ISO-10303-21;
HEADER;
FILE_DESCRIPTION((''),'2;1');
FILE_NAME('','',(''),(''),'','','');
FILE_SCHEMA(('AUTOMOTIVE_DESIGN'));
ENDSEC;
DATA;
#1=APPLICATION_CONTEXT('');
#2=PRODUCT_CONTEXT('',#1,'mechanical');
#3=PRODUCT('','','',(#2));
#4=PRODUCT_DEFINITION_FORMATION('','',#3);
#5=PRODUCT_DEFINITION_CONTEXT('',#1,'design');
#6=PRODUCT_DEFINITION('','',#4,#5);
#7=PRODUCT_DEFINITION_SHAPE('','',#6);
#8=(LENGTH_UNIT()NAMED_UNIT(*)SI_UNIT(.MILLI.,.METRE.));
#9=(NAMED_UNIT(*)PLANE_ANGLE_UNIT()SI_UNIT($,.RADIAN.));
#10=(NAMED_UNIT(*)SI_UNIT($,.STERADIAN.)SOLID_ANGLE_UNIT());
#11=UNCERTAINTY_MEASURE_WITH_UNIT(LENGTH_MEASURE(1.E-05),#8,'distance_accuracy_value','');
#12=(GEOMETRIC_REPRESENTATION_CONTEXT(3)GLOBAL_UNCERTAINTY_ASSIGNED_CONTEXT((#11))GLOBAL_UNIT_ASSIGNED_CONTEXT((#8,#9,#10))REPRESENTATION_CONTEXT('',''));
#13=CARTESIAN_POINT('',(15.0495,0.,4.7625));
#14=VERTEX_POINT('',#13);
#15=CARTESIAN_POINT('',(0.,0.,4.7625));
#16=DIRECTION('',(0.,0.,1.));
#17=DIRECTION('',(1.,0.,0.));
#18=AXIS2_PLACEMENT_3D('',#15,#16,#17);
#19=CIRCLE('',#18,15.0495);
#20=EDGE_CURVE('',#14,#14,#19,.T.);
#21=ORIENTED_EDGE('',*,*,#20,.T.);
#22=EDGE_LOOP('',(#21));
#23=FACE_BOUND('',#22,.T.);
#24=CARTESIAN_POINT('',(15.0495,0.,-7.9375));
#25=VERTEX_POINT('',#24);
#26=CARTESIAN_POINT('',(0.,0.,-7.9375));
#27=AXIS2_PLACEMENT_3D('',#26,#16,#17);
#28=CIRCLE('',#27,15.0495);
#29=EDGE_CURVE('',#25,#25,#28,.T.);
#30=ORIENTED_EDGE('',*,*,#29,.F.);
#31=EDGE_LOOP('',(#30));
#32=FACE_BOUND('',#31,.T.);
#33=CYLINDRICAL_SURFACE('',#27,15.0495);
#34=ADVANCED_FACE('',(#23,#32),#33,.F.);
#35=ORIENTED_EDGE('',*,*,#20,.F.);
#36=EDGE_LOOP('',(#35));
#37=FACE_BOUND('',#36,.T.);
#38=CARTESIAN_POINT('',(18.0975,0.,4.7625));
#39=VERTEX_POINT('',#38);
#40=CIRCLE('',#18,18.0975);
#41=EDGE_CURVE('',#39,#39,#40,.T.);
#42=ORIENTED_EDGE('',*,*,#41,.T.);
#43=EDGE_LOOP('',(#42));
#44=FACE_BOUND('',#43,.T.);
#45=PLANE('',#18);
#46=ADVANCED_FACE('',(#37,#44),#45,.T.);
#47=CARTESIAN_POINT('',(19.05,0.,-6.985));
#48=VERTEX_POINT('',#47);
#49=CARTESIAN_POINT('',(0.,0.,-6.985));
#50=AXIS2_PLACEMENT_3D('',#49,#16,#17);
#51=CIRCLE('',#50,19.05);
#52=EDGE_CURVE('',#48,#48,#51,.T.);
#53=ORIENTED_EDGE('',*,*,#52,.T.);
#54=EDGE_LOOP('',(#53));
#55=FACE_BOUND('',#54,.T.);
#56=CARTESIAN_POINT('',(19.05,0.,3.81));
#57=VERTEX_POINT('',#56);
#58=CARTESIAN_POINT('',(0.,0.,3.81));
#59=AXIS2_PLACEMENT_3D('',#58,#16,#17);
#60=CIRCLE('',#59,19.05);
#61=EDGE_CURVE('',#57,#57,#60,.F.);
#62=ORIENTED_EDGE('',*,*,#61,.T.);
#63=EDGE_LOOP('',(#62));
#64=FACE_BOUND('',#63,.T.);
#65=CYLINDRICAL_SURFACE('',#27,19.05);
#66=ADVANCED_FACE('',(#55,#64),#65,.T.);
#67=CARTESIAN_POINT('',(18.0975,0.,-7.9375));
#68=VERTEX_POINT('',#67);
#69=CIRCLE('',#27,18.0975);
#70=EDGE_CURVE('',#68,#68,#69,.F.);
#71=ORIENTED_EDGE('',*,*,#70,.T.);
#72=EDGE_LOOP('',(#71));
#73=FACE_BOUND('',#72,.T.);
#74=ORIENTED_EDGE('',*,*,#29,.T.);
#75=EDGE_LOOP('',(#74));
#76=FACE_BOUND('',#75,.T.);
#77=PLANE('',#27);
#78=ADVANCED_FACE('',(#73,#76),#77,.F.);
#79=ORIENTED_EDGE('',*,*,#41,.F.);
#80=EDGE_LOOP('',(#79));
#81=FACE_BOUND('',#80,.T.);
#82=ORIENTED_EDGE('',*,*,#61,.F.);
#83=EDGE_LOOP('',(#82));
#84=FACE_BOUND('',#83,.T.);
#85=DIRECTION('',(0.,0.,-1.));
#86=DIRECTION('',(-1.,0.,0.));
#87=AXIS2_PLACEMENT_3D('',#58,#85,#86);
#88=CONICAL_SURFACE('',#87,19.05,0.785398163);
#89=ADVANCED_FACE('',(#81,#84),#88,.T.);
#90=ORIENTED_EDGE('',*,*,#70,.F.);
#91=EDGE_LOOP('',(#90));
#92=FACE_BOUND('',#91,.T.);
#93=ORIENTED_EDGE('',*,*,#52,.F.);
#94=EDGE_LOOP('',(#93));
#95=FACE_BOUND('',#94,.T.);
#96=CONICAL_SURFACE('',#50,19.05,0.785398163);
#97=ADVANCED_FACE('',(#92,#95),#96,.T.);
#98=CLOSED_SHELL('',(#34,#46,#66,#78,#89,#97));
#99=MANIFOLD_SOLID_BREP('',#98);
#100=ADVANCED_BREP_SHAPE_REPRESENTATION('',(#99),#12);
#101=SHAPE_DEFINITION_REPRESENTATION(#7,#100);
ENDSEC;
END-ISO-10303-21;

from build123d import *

# Parameters (mm, degrees)
BOSS_EXTRUDE1_DEPTH      = 7.9375
BOSS_EXTRUDE1_DEPTH_BACK = 7.9375
SKETCH3_R                = 19.05
SKETCH3_R_2              = 9.525
CHAMFER1_SIZE            = 0.9525
SKETCH4_R                = 19.05
CUT_EXTRUDE1_DEPTH       = 3.175
SKETCH5_R                = 15.0495
CUT_EXTRUDE2_DEPTH       = 30.784140075
CHAMFER2_SIZE            = 0.9525


with BuildPart() as part:
    # Sketch3 → Boss-Extrude1 (new, two sides: drawn at the far end of the back side and taken through both)
    with BuildSketch(Plane.XY.offset(-BOSS_EXTRUDE1_DEPTH_BACK)):
        Circle(SKETCH3_R)
        Circle(SKETCH3_R_2, mode=Mode.SUBTRACT)
    extrude(amount=BOSS_EXTRUDE1_DEPTH + BOSS_EXTRUDE1_DEPTH_BACK)

    # Chamfer1
    chamfer1_edges = [part.edges().sort_by_distance(p)[0] for p in [
        (-19.05, 0, -7.9375),
        (-9.525, 0, -7.9375),
        (-19.05, 0, 7.9375),
        (-9.525, 0, 7.9375),
    ]]
    chamfer(chamfer1_edges, length=CHAMFER1_SIZE)

    # Sketch4 → Cut-Extrude1 (cut)
    with BuildSketch(Plane.XY.offset(7.9375)):
        Circle(SKETCH4_R)
    extrude(amount=-CUT_EXTRUDE1_DEPTH, mode=Mode.SUBTRACT)

    # Sketch5 → Cut-Extrude2 (cut, through all)
    with BuildSketch(Plane.XY.offset(4.7625)):
        Circle(SKETCH5_R)
    extrude(amount=-CUT_EXTRUDE2_DEPTH, mode=Mode.SUBTRACT)

    # Chamfer2
    chamfer2_edges = [part.edges().sort_by_distance(p)[0] for p in [
        (-19.05, 0, 4.7625),
    ]]
    chamfer(chamfer2_edges, length=CHAMFER2_SIZE)


solid = part.part
